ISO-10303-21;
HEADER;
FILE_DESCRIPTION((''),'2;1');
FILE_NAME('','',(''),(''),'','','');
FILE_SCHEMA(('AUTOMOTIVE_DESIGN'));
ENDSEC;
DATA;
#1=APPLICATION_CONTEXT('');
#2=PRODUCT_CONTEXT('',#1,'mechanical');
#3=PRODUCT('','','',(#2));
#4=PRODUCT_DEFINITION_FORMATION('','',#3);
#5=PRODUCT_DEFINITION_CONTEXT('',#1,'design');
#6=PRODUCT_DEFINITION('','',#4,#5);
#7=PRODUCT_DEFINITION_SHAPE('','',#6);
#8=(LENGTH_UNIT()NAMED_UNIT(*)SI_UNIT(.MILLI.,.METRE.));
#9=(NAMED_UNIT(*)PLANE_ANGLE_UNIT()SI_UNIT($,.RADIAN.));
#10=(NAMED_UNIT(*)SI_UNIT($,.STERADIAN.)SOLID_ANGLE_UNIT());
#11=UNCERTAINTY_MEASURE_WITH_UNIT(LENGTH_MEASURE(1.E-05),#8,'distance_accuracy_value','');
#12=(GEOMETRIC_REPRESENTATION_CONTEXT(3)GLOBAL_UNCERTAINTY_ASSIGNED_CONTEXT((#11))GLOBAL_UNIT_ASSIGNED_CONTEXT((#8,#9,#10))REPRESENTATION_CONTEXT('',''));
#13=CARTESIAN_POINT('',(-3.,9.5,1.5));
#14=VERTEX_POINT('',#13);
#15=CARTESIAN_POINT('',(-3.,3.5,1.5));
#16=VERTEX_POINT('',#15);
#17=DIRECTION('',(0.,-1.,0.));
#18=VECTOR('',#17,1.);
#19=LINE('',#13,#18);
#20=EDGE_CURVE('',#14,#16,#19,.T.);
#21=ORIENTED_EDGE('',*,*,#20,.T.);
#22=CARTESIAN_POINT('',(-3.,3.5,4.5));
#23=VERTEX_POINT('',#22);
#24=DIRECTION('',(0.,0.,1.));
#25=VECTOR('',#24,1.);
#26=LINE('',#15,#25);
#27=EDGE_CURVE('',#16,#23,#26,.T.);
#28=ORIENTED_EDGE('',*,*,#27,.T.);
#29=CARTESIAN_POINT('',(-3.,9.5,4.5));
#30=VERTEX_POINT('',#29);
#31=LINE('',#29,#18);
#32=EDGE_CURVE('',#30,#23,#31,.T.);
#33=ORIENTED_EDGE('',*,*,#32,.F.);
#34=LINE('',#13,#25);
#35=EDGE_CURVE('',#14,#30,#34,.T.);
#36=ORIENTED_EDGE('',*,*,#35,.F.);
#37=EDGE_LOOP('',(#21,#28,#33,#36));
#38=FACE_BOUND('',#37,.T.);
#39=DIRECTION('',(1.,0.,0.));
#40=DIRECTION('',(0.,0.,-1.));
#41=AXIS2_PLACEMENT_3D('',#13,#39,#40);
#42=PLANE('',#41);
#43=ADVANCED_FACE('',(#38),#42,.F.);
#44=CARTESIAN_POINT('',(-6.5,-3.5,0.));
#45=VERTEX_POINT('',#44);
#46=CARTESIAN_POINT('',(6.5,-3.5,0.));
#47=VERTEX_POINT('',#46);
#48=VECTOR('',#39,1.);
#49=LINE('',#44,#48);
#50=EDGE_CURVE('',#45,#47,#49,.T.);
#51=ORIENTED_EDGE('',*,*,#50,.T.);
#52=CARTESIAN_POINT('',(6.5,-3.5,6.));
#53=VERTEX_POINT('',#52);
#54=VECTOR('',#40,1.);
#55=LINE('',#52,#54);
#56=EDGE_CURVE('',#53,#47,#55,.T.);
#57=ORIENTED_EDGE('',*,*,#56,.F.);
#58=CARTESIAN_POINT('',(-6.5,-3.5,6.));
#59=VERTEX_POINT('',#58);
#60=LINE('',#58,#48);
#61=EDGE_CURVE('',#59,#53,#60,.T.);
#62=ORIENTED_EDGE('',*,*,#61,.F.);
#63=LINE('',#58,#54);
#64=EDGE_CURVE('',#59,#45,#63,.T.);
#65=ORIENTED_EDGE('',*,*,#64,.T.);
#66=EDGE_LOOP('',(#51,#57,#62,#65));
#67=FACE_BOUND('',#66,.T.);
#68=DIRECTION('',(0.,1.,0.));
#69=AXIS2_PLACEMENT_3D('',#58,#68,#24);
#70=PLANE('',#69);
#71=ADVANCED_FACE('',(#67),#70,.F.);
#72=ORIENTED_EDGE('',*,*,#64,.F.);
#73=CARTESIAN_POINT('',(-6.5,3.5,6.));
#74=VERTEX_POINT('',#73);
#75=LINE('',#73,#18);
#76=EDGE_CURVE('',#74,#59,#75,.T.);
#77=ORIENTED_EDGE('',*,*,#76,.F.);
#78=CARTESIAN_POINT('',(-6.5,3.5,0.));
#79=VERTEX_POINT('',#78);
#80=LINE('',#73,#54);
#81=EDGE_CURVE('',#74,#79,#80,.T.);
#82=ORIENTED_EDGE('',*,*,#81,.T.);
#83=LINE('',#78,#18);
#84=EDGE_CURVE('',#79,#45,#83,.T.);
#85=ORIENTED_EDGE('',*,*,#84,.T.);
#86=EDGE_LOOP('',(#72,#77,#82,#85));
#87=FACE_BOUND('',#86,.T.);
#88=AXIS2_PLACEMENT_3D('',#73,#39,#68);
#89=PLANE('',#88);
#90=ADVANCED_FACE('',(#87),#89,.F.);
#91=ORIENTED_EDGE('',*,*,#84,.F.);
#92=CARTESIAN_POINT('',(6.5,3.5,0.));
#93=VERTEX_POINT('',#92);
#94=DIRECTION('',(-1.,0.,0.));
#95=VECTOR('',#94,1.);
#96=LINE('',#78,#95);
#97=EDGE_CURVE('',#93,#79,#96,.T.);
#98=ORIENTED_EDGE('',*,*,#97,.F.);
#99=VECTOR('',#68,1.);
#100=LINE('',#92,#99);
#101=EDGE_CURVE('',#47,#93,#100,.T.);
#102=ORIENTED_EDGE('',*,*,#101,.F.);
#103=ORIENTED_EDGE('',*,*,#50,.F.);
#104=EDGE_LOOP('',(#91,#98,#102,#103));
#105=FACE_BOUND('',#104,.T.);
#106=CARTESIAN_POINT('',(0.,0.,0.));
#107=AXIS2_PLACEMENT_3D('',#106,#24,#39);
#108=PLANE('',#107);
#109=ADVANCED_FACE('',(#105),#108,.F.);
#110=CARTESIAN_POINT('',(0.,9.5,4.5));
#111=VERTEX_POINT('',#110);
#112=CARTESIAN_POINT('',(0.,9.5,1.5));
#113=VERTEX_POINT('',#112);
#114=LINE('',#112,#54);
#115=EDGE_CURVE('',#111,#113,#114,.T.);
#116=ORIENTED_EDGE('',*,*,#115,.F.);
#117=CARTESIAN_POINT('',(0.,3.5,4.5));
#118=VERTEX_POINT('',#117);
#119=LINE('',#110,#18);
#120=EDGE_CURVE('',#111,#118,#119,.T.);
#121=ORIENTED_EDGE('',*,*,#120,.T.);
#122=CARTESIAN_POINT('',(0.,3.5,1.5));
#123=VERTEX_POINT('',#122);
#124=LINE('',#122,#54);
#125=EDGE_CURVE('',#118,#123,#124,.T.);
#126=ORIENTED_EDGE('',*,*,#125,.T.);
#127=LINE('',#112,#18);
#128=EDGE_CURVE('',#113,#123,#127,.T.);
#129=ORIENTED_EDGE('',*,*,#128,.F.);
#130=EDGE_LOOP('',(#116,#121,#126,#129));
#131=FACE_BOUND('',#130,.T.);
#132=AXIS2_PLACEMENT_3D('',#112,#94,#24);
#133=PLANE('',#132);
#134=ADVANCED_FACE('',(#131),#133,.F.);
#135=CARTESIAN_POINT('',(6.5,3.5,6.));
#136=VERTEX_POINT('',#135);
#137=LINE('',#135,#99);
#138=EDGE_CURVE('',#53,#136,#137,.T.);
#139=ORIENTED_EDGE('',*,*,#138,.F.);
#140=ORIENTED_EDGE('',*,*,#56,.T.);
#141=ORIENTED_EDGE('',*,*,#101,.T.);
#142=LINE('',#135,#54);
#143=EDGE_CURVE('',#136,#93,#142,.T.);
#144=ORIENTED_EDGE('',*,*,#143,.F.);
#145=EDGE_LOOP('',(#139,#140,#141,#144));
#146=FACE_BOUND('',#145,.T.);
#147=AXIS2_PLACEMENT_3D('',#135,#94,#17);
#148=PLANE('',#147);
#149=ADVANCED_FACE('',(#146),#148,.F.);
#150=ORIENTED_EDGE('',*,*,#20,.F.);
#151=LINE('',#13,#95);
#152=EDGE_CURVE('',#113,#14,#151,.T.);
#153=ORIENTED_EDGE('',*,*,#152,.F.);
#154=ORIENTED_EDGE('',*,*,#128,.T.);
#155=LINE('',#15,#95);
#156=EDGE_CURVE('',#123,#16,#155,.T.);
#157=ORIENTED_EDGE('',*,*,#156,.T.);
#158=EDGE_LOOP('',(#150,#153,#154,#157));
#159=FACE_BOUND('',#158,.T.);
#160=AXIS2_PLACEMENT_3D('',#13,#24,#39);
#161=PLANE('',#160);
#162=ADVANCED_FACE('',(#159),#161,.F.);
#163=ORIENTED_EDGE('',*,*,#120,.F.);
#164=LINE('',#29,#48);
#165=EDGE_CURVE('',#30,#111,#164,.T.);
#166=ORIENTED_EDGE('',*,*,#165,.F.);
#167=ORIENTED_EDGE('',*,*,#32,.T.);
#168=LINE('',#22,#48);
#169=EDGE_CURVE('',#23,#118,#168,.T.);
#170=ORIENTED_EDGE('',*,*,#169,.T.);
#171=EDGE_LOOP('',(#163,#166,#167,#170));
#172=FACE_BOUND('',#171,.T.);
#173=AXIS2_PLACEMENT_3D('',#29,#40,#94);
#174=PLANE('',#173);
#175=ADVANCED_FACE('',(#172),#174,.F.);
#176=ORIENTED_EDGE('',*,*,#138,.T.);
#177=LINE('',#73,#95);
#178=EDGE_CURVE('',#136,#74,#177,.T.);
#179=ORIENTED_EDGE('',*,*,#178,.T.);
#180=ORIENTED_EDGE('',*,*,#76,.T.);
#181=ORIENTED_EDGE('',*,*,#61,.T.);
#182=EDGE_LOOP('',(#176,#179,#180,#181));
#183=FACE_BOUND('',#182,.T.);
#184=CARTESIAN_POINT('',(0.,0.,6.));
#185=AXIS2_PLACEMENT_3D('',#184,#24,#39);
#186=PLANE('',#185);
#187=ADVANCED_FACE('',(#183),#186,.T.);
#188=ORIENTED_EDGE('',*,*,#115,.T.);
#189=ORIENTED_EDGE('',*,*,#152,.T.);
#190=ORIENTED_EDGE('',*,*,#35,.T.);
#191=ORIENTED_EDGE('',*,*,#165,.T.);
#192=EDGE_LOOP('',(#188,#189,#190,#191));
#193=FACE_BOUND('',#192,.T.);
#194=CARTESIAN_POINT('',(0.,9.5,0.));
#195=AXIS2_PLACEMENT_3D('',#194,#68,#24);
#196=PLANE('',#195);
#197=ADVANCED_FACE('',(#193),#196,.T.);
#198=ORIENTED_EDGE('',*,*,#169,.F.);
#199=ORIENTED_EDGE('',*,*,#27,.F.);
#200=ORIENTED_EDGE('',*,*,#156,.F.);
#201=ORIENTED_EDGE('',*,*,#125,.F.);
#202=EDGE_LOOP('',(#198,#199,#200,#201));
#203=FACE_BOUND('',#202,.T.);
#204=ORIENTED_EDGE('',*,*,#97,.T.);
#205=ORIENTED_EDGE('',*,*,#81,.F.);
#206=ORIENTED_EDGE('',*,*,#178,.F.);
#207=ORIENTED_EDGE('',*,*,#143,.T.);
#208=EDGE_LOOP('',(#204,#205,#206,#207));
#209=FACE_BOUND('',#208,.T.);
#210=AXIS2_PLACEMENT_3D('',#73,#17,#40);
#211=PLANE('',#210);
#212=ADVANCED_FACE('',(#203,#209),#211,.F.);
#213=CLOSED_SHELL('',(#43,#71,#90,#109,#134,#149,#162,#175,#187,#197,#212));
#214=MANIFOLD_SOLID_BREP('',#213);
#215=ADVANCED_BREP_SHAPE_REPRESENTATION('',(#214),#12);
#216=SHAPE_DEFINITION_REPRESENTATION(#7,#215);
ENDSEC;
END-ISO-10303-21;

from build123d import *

# Parameters (mm, degrees)
SKETCH1_W           = 13
SKETCH1_H           = 7
BOSS_EXTRUDE1_DEPTH = 6
SKETCH2_W           = 3
SKETCH2_H           = 3
BOSS_EXTRUDE2_DEPTH = 6


with BuildPart() as part:
    # Sketch1 → Boss-Extrude1 (new body)
    with BuildSketch(Plane.XY):
        Rectangle(SKETCH1_W, SKETCH1_H)
    extrude(amount=BOSS_EXTRUDE1_DEPTH)

    # Sketch2 → Boss-Extrude2 (add)
    with BuildSketch(Plane(origin=(0, 3.5, 0), x_dir=(1, 0, 0), z_dir=(0, 1, 0))):
        with Locations((-1.5, -3)):
            Rectangle(SKETCH2_W, SKETCH2_H)
    extrude(amount=BOSS_EXTRUDE2_DEPTH)


solid = part.part
